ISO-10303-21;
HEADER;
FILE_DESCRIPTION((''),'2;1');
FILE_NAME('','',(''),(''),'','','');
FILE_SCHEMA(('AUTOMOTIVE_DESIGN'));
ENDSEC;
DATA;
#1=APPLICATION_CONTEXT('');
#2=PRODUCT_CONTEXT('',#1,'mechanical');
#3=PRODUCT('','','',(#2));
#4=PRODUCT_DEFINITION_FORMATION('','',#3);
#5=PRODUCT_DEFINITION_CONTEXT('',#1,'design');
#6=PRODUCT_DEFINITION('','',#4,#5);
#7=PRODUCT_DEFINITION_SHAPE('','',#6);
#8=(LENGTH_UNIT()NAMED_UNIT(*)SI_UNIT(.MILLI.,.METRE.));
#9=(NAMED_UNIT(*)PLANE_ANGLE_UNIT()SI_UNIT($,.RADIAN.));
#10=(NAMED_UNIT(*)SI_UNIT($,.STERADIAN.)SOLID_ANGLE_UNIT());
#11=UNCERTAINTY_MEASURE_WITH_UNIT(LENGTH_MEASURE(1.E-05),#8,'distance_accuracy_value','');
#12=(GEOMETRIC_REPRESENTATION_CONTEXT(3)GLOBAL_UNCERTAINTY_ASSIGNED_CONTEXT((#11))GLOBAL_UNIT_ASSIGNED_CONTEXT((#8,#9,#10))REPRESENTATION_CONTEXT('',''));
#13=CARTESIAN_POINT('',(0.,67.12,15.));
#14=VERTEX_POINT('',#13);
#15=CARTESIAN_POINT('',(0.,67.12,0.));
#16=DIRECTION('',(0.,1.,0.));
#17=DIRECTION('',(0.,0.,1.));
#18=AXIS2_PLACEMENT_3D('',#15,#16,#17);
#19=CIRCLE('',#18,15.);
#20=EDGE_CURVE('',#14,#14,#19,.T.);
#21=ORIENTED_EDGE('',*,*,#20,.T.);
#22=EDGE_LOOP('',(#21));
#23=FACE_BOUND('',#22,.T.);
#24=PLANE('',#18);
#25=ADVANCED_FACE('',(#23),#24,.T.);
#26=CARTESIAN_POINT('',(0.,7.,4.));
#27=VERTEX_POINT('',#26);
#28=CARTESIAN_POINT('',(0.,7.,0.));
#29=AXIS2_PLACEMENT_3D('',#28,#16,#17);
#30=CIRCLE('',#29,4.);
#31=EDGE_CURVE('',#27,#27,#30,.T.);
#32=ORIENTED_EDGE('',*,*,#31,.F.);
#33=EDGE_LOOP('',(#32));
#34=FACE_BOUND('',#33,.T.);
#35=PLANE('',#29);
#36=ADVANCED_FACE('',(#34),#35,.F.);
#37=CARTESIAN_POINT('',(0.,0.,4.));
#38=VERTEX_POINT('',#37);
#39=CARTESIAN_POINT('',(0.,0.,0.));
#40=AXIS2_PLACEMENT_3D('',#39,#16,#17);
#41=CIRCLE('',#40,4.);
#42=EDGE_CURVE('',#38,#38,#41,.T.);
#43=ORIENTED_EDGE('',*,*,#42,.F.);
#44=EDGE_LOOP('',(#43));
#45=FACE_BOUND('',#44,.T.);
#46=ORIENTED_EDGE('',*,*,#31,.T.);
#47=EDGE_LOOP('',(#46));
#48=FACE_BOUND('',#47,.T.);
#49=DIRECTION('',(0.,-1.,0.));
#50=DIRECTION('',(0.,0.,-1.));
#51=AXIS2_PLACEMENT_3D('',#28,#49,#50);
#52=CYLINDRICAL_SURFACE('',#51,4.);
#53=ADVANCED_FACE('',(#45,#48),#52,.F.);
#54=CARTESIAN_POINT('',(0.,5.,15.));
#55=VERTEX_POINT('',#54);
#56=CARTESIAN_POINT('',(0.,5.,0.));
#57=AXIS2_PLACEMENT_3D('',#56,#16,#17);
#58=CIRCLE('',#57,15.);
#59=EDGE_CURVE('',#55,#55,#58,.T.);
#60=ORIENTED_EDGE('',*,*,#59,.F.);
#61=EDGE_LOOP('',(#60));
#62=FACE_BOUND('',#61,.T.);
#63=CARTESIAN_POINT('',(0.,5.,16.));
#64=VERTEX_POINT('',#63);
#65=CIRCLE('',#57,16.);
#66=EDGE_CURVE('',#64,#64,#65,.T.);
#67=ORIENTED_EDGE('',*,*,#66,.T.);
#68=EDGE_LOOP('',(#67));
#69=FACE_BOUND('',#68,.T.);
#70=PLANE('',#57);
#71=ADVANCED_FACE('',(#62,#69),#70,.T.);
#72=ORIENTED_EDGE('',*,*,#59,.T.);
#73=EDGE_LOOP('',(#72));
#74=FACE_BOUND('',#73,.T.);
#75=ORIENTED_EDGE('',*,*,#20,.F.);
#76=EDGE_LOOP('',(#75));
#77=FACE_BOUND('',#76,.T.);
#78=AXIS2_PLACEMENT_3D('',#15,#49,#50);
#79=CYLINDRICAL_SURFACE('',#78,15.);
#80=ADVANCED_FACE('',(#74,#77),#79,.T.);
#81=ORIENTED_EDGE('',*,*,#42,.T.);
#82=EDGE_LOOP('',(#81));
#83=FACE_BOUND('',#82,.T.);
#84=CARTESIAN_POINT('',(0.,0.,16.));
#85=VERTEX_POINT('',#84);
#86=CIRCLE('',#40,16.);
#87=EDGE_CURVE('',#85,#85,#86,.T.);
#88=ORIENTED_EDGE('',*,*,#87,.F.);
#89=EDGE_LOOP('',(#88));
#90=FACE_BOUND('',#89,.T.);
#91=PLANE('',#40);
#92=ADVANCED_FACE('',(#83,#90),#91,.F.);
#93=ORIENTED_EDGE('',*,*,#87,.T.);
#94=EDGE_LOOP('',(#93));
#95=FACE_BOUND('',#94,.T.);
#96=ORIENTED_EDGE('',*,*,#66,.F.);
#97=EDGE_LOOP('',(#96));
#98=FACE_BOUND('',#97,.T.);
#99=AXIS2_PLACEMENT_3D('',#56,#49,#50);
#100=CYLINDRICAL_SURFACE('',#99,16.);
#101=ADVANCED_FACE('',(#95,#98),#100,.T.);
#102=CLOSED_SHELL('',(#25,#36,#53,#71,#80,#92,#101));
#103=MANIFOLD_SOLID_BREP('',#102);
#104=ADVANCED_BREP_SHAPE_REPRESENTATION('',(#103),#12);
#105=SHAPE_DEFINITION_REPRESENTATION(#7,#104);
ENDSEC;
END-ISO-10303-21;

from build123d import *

# Parameters (mm, degrees)
SKETCH1_R           = 15
BOSS_EXTRUDE1_DEPTH = 67.12
SKETCH1_3_R         = 4
CUT_EXTRUDE1_DEPTH  = 7
SKETCH1_4_R         = 16
SKETCH1_4_R_2       = 15
BOSS_EXTRUDE2_DEPTH = 5


with BuildPart() as part:
    # Sketch1 → Boss-Extrude1 (new body)
    with BuildSketch(Plane(origin=(0, 0, 0), x_dir=(1, 0, 0), z_dir=(0, 1, 0))):
        Circle(SKETCH1_R)
    extrude(amount=BOSS_EXTRUDE1_DEPTH)

    # Sketch1<3> → Cut-Extrude1 (cut)
    with BuildSketch(Plane(origin=(0, 0, 0), x_dir=(1, 0, 0), z_dir=(0, 1, 0))):
        Circle(SKETCH1_3_R)
    extrude(amount=CUT_EXTRUDE1_DEPTH, mode=Mode.SUBTRACT)

    # Sketch1<4> → Boss-Extrude2 (add)
    with BuildSketch(Plane(origin=(0, 0, 0), x_dir=(1, 0, 0), z_dir=(0, 1, 0))):
        Circle(SKETCH1_4_R)
        Circle(SKETCH1_4_R_2, mode=Mode.SUBTRACT)
    extrude(amount=BOSS_EXTRUDE2_DEPTH)


solid = part.part
